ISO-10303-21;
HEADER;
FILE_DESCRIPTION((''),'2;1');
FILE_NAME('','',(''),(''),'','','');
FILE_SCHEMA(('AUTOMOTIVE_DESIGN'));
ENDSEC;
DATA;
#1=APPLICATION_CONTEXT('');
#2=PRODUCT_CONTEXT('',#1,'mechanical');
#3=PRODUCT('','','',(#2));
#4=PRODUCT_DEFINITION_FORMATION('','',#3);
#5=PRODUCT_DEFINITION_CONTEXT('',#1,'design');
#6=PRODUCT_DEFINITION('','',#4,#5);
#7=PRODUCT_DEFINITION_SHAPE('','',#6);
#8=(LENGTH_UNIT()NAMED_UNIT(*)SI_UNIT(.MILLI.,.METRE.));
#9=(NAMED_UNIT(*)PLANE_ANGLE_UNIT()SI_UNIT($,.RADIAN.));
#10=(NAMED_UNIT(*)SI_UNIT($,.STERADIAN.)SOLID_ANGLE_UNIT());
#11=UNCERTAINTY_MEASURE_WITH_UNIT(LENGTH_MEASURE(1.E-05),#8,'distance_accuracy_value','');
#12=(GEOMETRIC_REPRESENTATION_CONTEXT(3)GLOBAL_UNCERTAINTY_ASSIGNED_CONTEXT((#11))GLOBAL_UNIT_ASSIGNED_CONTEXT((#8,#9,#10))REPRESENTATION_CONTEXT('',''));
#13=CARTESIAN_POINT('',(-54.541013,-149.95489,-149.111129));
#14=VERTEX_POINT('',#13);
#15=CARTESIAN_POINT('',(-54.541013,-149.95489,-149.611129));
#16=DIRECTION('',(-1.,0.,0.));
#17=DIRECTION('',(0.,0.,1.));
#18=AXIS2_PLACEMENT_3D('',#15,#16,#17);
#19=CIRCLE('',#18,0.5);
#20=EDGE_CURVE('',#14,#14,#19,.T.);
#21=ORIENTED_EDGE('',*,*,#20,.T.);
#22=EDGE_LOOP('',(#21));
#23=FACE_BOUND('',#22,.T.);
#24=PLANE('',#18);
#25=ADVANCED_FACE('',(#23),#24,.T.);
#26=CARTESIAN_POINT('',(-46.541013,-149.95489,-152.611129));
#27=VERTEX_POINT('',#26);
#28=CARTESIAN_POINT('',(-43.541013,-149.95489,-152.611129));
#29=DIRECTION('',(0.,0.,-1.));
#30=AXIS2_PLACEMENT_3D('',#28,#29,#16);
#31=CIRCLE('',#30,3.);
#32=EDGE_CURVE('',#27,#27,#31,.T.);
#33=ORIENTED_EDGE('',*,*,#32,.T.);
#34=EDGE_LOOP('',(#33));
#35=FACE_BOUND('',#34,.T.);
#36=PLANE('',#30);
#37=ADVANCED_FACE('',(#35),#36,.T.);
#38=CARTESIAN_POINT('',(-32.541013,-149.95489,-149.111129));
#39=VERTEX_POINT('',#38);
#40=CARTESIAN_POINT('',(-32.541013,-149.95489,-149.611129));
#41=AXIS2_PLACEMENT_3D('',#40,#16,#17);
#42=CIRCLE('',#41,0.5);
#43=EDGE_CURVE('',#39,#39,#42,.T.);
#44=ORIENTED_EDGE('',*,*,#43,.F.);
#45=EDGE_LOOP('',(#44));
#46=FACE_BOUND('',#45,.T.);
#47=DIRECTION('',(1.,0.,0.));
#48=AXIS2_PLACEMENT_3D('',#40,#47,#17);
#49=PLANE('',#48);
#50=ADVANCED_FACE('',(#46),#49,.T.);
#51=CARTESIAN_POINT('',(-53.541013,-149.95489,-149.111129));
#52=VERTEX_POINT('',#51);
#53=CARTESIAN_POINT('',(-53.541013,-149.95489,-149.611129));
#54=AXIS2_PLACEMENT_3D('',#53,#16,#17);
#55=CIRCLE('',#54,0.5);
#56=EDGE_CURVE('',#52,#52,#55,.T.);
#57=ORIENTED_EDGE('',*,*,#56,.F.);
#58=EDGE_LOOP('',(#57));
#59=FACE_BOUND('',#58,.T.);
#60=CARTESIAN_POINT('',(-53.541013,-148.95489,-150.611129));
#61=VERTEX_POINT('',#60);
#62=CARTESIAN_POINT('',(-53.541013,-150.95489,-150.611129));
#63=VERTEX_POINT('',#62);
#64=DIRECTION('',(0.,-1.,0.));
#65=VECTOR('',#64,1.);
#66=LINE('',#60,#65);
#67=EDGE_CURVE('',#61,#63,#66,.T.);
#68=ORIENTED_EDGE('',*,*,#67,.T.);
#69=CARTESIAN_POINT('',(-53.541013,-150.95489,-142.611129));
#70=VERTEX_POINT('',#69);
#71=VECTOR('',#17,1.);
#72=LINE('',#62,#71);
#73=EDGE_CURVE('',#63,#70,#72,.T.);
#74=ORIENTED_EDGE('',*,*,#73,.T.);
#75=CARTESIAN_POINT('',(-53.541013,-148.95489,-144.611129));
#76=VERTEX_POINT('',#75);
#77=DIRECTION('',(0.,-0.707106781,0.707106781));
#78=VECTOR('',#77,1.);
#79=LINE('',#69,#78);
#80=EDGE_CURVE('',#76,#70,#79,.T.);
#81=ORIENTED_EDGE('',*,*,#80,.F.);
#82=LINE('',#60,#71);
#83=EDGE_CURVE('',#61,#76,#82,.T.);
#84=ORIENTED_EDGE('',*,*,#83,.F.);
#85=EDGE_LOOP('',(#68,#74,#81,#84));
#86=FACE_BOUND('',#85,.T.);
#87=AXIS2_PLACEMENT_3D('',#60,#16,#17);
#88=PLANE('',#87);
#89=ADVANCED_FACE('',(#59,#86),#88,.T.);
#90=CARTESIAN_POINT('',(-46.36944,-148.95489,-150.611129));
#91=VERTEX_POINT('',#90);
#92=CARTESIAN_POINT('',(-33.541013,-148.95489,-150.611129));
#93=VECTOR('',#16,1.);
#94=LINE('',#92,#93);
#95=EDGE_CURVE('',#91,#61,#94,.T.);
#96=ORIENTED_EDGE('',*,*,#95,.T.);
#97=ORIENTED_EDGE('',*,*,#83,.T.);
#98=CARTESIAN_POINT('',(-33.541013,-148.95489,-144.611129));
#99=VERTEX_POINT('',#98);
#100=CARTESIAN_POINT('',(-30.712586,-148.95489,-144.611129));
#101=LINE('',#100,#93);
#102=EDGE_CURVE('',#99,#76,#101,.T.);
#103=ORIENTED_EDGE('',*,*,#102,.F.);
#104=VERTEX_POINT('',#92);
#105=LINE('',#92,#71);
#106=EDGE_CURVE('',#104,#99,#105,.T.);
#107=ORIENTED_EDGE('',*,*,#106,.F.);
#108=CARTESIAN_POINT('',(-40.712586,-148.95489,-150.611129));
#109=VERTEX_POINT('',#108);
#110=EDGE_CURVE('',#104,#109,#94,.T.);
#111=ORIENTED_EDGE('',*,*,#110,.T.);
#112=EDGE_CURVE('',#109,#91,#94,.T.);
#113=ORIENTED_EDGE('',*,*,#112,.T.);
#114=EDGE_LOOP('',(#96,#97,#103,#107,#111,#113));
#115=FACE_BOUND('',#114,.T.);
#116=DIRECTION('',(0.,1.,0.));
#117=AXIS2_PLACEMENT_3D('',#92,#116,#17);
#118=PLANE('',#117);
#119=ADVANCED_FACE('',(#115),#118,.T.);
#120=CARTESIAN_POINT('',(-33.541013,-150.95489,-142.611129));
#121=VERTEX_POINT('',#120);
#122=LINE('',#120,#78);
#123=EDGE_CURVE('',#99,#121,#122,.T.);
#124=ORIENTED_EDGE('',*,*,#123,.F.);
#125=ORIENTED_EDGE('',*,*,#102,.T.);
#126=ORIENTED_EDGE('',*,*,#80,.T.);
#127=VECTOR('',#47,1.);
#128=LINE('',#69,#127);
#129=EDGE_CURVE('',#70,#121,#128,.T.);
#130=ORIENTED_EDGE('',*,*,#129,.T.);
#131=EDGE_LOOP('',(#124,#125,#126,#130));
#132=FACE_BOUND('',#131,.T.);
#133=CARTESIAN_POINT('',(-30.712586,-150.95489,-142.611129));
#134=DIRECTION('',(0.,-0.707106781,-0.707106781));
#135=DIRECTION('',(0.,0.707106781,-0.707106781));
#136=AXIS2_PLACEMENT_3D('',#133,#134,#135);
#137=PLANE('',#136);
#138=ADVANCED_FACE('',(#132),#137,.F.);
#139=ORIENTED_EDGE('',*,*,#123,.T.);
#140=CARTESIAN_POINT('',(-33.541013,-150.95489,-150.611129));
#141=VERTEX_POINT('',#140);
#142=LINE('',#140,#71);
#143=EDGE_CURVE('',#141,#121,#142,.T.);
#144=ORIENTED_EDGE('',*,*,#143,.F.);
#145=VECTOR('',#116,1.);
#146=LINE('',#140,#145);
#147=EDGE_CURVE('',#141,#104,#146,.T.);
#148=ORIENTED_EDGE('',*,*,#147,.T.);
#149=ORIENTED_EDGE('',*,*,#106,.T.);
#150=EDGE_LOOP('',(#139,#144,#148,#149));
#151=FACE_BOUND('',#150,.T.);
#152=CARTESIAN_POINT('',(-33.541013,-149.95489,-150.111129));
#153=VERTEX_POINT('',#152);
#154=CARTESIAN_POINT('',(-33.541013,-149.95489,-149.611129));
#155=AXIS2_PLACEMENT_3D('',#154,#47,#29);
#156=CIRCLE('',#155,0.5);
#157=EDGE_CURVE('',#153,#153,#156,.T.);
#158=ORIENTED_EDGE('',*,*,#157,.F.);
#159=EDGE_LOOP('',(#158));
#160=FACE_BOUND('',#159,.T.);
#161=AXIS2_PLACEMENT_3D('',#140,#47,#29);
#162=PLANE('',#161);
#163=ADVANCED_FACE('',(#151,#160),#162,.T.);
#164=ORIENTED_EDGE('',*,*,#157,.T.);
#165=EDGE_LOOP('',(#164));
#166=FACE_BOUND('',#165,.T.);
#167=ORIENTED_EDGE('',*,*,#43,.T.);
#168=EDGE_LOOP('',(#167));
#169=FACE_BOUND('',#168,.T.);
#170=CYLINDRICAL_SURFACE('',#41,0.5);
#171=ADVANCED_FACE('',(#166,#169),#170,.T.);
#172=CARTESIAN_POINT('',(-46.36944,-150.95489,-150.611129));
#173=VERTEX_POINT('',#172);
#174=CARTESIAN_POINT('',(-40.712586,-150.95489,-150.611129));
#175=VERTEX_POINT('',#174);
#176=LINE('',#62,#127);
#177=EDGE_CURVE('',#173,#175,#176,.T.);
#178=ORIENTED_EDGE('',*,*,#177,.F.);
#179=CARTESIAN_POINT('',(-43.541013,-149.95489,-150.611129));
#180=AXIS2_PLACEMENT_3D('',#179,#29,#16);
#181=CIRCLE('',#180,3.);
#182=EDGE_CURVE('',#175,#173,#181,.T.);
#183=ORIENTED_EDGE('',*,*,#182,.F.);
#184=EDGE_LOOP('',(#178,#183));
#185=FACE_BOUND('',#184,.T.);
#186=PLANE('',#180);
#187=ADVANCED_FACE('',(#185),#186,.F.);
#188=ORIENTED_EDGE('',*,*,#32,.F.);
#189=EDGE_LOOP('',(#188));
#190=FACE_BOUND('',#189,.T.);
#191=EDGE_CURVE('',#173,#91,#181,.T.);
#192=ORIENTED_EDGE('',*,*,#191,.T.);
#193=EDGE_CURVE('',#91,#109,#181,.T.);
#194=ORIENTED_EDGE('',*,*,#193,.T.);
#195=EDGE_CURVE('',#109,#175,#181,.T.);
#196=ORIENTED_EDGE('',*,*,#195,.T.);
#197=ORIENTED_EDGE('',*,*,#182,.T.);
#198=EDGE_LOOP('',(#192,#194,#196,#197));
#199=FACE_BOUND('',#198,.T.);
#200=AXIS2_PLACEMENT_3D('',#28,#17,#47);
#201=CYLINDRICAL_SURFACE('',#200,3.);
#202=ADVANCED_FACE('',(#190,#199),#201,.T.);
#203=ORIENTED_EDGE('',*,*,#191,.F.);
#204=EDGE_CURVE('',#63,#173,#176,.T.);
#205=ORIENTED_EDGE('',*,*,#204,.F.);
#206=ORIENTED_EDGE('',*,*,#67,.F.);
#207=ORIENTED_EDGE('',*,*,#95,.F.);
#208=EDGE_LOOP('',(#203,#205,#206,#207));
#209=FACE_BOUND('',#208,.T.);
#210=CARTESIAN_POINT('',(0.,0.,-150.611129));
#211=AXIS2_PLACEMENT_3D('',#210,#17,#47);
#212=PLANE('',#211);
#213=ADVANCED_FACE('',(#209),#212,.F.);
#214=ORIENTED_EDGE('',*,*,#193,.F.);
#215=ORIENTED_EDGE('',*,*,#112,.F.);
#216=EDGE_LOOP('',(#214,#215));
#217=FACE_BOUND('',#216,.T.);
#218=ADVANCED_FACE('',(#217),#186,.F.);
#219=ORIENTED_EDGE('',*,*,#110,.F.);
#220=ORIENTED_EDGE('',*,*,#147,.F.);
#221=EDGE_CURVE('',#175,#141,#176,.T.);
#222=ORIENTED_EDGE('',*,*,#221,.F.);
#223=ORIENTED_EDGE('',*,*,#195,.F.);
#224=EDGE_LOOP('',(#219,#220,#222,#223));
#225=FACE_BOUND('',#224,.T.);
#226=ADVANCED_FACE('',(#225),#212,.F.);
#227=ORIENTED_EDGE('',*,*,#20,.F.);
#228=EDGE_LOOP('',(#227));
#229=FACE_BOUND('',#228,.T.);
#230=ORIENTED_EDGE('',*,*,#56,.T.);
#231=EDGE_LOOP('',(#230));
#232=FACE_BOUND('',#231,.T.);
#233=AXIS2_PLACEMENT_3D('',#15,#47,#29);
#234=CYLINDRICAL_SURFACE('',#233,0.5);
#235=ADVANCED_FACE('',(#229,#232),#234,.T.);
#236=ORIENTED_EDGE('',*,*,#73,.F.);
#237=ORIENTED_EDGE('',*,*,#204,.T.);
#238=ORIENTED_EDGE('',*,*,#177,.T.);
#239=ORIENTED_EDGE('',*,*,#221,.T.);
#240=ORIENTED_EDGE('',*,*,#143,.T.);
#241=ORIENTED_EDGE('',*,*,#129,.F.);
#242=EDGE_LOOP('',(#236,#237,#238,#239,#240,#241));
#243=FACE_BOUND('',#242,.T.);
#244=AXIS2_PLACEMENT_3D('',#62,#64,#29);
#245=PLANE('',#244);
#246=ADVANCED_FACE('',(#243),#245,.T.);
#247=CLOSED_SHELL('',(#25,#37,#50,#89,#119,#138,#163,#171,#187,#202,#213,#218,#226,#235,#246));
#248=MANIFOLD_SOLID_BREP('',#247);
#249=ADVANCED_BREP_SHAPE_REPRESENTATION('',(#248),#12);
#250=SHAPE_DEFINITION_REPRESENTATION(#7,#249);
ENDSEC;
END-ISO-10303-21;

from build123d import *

# Parameters (mm, degrees)
BOSS_EXTRUDE1_DEPTH      = 4
BOSS_EXTRUDE1_DEPTH_BACK = 4
SKETCH2_W                = 20
SKETCH2_H                = 2
CUT_EXTRUDE1_DEPTH       = 20
SKETCH5_R                = 0.5
BOSS_EXTRUDE3_DEPTH      = 1
SKETCH8_R                = 3
BOSS_EXTRUDE5_DEPTH      = 2


with BuildPart() as part:
    # Sketch2 → Boss-Extrude1 (new, two sides: drawn at the far end of the back side and taken through both)
    with BuildSketch(Plane.XY.offset(-146.611129216).offset(-BOSS_EXTRUDE1_DEPTH_BACK)):
        with Locations((-43.541013266, -149.954890484)):
            Rectangle(SKETCH2_W, SKETCH2_H)
    extrude(amount=BOSS_EXTRUDE1_DEPTH + BOSS_EXTRUDE1_DEPTH_BACK)

    # Sketch4 → Cut-Extrude1 (cut)
    with BuildSketch(Plane.ZY.offset(53.541013266)):
        Polygon((-142.611129216, -148.954890484), (-142.611129216, -150.954890484), (-144.611129216, -148.954890484), align=None)
    extrude(amount=-CUT_EXTRUDE1_DEPTH, mode=Mode.SUBTRACT)

    # Sketch5 → Boss-Extrude3 (add)
    with BuildSketch(Plane.ZY.offset(53.541013266)):
        with Locations((-149.611129216, -149.954890484)):
            Circle(SKETCH5_R)
    boss_extrude3 = extrude(amount=BOSS_EXTRUDE3_DEPTH)

    # Mirror2: Boss-Extrude3 across plane
    add(boss_extrude3.mirror(Plane.ZY.offset(43.541013266)))

    # Sketch8 → Boss-Extrude5 (add)
    with BuildSketch(Plane(origin=(0, 0, -150.611129216), x_dir=(-1, 0, 0), z_dir=(0, 0, -1))):
        with Locations(Location((43.541013266, -149.954890484, 0), (0, 0, 199.471220634))):
            Circle(SKETCH8_R)
    extrude(amount=BOSS_EXTRUDE5_DEPTH)


solid = part.part
